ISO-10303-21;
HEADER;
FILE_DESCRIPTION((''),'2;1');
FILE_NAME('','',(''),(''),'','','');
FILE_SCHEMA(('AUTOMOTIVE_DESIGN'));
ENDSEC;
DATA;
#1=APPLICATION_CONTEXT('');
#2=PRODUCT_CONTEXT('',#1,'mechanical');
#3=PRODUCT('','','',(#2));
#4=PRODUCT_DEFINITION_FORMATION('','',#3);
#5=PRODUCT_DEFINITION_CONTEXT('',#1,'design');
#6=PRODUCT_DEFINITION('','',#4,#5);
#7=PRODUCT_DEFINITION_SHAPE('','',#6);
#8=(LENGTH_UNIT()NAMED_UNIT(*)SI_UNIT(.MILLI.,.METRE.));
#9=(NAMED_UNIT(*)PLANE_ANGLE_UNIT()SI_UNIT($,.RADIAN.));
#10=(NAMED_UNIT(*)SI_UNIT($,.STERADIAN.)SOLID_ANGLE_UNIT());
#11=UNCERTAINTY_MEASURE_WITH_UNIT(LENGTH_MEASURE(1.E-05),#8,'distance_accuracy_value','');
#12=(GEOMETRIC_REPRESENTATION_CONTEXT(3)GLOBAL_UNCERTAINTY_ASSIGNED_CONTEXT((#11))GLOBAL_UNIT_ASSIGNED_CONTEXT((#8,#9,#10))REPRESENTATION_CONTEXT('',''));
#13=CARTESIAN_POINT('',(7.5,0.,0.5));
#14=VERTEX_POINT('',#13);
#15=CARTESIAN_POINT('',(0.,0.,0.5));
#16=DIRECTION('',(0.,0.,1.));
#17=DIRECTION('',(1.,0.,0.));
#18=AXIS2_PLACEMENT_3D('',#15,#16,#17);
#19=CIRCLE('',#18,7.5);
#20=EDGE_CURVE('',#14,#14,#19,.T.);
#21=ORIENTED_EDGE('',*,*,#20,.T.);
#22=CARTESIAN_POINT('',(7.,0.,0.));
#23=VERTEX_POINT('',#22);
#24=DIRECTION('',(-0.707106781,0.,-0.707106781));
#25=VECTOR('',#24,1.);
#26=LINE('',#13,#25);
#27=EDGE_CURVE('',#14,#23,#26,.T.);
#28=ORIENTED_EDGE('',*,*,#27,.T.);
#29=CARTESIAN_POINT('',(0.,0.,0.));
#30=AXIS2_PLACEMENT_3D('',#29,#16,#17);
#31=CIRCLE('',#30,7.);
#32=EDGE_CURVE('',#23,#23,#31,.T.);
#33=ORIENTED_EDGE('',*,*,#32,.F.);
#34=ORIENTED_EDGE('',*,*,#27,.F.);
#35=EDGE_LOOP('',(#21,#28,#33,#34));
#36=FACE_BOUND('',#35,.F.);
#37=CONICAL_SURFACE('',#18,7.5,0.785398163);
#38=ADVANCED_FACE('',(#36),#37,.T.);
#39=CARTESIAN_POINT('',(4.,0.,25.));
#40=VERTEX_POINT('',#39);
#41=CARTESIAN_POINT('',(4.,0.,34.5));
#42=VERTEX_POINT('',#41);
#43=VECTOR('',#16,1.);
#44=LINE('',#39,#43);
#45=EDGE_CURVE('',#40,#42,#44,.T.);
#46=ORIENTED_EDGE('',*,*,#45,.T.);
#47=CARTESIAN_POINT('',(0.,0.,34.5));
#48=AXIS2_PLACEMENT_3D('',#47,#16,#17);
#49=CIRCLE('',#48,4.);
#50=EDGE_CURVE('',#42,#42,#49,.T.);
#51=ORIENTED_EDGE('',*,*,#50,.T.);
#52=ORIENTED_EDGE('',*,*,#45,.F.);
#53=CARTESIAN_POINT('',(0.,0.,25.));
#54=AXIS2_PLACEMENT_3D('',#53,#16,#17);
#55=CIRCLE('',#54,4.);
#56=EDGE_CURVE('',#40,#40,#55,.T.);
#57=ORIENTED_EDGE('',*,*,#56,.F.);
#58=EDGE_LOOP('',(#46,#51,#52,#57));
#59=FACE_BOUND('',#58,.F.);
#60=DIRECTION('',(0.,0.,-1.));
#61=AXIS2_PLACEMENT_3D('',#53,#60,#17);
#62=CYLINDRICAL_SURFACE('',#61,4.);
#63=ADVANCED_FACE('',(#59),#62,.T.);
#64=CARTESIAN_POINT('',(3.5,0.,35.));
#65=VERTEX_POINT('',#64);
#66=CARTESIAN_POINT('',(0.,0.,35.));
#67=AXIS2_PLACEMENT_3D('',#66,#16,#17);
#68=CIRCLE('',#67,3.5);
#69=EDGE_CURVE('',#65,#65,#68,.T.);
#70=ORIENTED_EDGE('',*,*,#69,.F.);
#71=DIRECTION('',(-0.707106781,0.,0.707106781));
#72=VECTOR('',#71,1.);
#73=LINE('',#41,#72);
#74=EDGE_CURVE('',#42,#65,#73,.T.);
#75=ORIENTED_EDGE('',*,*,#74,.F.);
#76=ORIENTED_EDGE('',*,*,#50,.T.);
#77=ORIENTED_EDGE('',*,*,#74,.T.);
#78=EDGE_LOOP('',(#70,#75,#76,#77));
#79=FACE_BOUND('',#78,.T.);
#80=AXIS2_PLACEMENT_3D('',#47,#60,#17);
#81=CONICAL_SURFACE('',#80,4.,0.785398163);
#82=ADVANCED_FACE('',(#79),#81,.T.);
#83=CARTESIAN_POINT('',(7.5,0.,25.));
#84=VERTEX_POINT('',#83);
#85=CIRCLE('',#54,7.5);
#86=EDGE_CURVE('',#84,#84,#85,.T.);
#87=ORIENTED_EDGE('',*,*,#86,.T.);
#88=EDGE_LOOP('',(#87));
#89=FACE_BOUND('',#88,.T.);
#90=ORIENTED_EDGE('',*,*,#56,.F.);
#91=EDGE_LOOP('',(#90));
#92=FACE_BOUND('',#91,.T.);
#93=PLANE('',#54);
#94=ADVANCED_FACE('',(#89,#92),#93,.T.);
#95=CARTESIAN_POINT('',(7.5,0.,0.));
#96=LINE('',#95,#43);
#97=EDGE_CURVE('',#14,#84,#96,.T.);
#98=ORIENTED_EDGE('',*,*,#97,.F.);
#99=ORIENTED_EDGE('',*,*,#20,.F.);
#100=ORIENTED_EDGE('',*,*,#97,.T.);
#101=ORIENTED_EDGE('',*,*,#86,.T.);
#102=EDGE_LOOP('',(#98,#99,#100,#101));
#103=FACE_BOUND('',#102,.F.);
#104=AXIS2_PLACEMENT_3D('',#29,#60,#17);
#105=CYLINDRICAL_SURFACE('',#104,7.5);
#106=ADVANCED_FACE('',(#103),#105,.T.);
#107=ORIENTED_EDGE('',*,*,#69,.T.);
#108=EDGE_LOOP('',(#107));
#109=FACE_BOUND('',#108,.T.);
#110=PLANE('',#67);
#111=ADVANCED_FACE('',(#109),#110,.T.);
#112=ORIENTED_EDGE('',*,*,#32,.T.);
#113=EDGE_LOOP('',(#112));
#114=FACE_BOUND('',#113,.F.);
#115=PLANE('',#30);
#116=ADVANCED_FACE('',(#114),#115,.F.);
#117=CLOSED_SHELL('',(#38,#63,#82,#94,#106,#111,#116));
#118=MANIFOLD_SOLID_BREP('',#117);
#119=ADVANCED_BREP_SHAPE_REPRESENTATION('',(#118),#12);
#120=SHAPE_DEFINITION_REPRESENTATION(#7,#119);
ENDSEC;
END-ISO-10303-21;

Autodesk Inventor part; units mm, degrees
ref_plane "YZ Plane" through (0, 0, 0) normal (1, 0, 0) x (0, 1, 0)
ref_plane "XZ Plane" through (0, 0, 0) normal (0, 1, 0) x (-1, 0, 0)
ref_plane "XY Plane" through (0, 0, 0) normal (0, 0, 1) x (1, 0, 0)
sketch "Schizzo1" plane through (0, 0, 0) normal (0, 0, 1) x (1, 0, 0)
  circle A0 centre (0, 0) radius 7.5
  dimension "d0" = 15
extrude "Estrusione1" add sketch "Schizzo1" along normal blind 25
sketch "Schizzo2" plane through (0, 0, 25) normal (0, 0, 1) x (1, 0, 0)
  circle A0 centre (0, 0) radius 4
  dimension "d3" = 8
extrude "Estrusione2" add sketch "Schizzo2" along normal blind 10
chamfer "Smusso1" distance 0.5 angle 45 2 edges at (-4, 0, 35) (-7.5, 0, 0)
thread "Filettatura2" size "M10x1.5" class "6g" standard "ANSI Metric M Profile" full length
properties part number "Perno tendi motore" material "Acciaio inossidabile"
